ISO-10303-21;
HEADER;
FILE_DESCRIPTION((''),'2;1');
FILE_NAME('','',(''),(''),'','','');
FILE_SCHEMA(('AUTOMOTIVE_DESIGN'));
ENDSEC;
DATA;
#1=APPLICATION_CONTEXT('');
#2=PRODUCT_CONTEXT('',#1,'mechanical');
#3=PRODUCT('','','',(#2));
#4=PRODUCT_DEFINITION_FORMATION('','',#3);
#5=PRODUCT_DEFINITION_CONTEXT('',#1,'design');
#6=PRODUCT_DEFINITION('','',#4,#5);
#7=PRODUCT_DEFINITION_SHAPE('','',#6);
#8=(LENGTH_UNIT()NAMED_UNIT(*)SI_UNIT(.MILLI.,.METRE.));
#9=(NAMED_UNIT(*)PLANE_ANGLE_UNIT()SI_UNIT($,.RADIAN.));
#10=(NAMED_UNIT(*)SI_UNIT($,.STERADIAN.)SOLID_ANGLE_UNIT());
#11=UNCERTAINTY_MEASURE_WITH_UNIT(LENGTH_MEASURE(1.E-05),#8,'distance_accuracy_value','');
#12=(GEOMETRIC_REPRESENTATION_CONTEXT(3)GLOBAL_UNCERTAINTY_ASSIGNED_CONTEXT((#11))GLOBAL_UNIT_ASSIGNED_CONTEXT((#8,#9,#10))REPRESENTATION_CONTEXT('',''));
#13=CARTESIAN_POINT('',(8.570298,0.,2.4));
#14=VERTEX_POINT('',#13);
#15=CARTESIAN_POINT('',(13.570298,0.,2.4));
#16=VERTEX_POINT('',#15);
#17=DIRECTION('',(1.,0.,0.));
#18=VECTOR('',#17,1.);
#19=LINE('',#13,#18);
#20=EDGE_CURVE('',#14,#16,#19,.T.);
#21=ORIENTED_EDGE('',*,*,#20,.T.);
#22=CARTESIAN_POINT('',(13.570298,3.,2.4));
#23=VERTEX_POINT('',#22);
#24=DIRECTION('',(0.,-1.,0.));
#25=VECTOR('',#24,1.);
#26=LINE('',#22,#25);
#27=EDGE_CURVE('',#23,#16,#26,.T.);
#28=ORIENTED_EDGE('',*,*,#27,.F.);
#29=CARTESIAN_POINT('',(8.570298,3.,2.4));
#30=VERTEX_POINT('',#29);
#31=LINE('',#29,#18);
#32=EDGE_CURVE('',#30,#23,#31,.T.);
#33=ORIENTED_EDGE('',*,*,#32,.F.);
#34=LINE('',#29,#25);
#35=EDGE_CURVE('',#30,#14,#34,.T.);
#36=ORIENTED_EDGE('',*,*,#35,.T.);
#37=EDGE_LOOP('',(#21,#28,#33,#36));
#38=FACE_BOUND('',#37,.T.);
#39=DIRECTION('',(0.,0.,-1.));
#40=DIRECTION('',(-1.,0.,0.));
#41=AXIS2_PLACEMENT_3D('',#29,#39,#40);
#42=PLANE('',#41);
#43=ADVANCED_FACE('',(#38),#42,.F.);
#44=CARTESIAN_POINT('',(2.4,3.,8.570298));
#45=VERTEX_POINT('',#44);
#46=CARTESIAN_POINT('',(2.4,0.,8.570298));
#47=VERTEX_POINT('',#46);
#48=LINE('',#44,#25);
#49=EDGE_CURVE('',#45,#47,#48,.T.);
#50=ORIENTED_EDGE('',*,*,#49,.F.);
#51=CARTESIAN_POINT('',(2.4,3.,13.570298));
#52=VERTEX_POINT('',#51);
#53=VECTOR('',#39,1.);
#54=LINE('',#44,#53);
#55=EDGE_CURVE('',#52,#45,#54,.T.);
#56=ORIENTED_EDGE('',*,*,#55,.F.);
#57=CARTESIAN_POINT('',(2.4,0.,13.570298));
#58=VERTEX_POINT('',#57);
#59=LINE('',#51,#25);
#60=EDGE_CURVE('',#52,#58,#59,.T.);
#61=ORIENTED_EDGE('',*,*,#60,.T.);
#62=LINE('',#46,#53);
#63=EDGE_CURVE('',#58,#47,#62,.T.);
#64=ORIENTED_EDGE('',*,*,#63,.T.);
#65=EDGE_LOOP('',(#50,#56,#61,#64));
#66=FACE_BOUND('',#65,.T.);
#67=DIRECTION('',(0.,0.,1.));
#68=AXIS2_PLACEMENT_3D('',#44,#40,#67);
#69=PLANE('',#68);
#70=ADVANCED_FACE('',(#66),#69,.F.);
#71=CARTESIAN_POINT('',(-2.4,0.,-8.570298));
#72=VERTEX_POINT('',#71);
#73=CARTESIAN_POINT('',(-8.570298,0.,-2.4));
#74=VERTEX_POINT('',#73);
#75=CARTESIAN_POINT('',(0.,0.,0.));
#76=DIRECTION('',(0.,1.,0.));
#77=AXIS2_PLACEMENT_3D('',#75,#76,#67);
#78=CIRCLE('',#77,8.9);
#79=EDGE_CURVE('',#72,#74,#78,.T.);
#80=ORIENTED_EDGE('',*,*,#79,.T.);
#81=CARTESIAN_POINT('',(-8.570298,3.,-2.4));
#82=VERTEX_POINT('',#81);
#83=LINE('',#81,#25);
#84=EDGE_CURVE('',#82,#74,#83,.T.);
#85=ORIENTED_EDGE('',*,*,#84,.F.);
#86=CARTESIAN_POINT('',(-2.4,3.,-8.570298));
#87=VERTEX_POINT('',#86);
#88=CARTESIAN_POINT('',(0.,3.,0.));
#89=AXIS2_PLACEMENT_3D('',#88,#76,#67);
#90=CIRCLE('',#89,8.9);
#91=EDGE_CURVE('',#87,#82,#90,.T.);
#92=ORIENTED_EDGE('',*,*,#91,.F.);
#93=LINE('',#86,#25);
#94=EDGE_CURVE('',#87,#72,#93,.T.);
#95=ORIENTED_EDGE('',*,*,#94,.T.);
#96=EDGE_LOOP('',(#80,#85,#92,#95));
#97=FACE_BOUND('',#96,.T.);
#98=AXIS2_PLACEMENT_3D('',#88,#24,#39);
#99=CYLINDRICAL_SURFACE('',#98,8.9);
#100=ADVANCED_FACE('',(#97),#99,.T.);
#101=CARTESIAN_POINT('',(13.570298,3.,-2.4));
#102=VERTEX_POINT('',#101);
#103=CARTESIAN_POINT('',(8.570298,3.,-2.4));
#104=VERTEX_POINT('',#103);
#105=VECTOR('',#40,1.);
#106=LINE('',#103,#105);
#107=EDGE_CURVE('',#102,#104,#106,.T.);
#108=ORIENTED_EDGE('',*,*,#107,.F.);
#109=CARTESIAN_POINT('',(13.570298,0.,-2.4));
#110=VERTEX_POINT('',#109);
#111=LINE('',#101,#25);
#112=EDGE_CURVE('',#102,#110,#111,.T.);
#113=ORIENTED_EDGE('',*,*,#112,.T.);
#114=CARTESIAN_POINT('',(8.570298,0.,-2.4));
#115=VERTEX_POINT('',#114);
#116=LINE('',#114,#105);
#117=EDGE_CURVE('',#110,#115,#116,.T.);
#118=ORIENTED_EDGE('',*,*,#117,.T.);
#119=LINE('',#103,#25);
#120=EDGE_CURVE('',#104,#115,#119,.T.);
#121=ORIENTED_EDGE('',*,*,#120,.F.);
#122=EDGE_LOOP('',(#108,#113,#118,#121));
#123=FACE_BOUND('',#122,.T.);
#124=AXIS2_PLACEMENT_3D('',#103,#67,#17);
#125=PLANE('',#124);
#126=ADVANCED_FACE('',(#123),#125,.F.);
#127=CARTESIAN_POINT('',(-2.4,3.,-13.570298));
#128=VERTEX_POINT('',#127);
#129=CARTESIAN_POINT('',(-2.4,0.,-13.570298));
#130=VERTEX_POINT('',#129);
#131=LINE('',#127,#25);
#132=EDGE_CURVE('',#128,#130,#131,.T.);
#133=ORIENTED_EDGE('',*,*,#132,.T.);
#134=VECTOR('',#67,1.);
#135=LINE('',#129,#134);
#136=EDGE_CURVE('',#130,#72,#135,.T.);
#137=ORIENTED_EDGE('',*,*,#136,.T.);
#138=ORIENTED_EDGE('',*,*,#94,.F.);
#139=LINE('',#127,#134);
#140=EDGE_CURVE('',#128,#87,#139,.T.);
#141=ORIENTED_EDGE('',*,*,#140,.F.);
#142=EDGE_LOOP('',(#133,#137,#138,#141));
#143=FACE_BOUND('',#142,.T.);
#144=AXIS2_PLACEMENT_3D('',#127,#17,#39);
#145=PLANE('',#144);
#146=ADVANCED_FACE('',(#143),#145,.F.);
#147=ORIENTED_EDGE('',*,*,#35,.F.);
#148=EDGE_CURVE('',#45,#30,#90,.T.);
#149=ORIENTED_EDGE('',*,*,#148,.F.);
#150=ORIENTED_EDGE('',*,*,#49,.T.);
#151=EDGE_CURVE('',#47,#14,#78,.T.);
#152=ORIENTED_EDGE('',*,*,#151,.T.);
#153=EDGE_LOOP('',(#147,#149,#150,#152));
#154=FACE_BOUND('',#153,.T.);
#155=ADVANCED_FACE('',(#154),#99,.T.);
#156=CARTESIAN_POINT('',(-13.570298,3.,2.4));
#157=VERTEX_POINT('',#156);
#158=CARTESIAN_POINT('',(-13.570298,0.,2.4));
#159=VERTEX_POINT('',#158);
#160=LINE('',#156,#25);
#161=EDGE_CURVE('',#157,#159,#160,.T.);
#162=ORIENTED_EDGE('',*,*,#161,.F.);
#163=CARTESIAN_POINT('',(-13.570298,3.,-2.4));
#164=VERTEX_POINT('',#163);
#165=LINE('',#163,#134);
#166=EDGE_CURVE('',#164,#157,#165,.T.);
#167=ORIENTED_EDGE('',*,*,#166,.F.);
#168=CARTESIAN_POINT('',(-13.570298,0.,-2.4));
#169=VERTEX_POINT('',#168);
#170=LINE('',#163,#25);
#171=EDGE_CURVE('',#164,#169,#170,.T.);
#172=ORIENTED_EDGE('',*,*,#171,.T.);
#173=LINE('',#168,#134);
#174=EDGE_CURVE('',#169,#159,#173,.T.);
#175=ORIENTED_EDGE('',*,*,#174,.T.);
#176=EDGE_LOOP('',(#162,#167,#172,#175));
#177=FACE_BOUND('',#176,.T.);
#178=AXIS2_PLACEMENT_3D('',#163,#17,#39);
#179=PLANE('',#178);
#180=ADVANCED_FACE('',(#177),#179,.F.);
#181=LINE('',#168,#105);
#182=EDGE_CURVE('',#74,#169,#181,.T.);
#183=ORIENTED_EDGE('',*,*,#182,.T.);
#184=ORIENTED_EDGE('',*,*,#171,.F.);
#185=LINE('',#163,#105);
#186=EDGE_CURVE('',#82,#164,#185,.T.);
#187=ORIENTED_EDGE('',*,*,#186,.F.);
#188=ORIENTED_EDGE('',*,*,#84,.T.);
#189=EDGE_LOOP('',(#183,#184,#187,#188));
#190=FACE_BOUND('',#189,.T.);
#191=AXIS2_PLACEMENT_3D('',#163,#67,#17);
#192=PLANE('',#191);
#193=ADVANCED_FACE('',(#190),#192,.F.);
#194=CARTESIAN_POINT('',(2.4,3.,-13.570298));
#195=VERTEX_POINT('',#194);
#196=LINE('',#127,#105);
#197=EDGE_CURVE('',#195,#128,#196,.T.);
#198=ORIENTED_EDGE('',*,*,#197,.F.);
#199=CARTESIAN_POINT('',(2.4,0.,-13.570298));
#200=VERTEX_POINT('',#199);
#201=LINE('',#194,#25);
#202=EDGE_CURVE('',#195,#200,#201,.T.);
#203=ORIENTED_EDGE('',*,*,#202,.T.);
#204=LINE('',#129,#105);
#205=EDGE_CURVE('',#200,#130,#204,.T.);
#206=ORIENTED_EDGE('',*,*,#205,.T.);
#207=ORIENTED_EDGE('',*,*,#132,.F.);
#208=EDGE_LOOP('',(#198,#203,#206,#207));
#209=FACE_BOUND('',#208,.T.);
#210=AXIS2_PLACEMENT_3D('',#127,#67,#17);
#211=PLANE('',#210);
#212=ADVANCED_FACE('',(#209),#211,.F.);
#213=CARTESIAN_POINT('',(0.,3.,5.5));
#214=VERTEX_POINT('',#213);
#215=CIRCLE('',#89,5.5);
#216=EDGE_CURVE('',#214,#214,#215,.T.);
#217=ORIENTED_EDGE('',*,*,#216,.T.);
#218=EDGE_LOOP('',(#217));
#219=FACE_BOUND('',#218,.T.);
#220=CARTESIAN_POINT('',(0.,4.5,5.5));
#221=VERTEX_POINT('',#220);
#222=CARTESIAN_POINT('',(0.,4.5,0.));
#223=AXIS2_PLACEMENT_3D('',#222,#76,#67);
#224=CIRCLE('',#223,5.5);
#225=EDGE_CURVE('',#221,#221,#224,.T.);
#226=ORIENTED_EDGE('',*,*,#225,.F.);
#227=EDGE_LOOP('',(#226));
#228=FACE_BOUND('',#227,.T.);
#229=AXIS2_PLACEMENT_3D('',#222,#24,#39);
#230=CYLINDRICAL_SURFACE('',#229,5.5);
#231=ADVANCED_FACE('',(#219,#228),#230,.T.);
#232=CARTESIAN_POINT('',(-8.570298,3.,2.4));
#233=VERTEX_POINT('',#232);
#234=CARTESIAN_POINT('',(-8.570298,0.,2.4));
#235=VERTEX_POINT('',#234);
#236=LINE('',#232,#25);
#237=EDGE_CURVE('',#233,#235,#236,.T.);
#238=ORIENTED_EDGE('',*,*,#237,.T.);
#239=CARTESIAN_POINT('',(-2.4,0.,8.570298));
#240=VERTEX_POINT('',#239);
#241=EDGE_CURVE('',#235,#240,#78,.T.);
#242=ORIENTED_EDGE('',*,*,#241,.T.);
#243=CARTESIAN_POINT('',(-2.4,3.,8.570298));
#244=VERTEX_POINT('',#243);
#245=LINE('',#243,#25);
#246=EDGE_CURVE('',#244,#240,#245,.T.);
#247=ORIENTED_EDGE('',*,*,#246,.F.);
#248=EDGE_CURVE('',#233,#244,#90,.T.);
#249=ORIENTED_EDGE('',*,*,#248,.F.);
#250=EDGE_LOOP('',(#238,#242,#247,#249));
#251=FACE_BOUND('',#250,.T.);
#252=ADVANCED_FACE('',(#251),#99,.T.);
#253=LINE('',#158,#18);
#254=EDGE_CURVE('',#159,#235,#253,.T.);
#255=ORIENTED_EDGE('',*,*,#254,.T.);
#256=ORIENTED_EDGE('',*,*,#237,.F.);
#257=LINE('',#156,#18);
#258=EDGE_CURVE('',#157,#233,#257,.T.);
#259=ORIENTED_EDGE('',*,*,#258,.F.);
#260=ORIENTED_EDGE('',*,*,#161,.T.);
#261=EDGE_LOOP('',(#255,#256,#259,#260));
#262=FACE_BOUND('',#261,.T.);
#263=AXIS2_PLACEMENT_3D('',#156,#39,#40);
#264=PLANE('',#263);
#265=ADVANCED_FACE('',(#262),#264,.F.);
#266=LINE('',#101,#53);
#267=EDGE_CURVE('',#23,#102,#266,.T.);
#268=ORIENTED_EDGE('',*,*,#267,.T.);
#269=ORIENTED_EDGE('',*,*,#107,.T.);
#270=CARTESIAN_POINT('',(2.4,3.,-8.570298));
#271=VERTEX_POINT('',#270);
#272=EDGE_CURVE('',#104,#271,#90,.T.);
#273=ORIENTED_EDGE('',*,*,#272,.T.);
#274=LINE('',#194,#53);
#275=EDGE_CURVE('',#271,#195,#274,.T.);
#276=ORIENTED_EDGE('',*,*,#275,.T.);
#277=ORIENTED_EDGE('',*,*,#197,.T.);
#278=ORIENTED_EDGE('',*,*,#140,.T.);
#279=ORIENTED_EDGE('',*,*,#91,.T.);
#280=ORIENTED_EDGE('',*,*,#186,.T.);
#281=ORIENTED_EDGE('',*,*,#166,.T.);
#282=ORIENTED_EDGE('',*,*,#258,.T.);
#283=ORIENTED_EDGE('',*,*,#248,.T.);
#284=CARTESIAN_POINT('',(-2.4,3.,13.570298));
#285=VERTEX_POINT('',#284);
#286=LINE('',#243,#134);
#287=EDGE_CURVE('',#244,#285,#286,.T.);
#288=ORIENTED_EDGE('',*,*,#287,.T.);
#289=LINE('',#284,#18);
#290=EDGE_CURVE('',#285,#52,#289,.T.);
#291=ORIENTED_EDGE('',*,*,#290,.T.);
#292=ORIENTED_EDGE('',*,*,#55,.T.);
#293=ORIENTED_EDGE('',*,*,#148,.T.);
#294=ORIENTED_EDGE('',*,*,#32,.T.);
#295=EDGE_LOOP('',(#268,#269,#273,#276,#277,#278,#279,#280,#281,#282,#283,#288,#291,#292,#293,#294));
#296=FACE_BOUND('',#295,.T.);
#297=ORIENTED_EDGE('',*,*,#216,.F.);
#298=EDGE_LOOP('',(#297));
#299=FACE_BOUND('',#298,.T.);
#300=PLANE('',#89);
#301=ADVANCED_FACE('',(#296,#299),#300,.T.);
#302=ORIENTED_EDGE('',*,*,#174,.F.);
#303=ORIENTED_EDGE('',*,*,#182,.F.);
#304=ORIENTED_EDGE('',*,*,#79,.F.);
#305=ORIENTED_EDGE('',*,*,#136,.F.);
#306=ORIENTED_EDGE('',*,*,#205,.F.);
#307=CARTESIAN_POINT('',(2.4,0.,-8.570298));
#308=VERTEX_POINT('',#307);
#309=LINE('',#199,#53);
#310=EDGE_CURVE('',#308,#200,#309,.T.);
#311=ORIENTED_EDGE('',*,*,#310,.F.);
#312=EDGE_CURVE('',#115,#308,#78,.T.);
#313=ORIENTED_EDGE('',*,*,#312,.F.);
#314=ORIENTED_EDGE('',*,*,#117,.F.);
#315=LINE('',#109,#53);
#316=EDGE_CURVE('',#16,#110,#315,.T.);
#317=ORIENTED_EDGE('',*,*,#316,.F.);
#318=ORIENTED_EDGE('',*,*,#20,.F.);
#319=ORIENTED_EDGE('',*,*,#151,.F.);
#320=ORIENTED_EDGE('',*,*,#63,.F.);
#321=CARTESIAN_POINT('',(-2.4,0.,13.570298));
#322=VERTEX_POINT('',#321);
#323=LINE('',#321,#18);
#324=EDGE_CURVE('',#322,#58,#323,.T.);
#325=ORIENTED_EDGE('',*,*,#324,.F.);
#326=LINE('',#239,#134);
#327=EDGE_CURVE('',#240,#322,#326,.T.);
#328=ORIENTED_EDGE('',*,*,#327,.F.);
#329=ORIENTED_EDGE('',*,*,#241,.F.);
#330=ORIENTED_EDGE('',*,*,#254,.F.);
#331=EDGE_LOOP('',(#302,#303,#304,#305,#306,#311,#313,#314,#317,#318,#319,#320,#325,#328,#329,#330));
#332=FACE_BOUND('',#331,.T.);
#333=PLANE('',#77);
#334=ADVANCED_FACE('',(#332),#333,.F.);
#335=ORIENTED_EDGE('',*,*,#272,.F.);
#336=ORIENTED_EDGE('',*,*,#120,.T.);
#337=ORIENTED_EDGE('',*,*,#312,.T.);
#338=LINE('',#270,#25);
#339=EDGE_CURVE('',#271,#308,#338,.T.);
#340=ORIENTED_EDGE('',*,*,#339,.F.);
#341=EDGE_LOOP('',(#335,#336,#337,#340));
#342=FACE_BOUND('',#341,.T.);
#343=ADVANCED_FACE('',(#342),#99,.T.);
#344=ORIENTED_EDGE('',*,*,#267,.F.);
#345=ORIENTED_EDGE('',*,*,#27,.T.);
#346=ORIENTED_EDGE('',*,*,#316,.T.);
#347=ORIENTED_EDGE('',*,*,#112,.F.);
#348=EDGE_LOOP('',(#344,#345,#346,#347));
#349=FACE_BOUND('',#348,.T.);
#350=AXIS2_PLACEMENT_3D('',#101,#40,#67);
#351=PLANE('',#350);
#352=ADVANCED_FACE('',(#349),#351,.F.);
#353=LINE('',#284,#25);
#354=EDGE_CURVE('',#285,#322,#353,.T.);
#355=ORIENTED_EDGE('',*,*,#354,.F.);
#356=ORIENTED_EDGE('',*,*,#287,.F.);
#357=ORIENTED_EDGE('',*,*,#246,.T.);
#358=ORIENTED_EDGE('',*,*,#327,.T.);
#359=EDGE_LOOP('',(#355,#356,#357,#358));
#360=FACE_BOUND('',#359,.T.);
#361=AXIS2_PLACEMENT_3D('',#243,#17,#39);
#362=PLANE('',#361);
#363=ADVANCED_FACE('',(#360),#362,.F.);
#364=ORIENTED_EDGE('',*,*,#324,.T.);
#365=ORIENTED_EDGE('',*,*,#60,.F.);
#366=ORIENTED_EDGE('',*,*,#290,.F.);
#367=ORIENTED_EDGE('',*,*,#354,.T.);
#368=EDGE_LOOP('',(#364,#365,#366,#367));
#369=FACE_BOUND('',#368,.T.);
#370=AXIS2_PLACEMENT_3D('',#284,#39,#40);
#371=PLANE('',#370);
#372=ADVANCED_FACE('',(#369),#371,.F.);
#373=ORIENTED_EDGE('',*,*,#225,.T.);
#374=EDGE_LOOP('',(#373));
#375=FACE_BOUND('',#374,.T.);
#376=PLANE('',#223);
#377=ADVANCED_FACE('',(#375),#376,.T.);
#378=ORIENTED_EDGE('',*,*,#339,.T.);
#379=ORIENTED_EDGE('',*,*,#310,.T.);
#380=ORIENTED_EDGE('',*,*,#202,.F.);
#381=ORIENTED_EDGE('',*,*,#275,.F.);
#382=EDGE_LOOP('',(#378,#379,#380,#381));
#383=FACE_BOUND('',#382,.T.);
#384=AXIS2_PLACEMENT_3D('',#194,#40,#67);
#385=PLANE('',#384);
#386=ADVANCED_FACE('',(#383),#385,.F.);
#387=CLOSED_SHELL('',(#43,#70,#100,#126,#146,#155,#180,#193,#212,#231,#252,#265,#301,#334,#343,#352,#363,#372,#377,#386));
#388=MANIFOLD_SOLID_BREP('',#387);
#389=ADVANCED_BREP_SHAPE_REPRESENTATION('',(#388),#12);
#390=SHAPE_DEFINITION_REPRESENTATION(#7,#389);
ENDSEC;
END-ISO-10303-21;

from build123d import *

# Parameters (mm, degrees)
EXTRUDE_1_DEPTH = 3
SKETCH_2_R      = 5.5
EXTRUDE_2_DEPTH = 1.5


with BuildPart() as part:
    # 草图1 → 凸台-拉伸1 (new body)
    with BuildSketch(Plane(origin=(0, 0, 0), x_dir=(1, 0, 0), z_dir=(0, 1, 0))):
        with BuildLine():
            Line((-13.570297544, 2.4), (-8.570297544, 2.4))
            ThreePointArc((-8.570297544, 2.4), (-6.293250353, 6.293250353), (-2.4, 8.570297544))
            Line((-2.4, 8.570297544), (-2.4, 13.570297544))
            Line((-2.4, 13.570297544), (2.4, 13.570297544))
            Line((2.4, 13.570297544), (2.4, 8.570297544))
            ThreePointArc((2.4, 8.570297544), (6.293250353, 6.293250353), (8.570297544, 2.4))
            Line((8.570297544, 2.4), (13.570297544, 2.4))
            Line((13.570297544, 2.4), (13.570297544, -2.4))
            Line((13.570297544, -2.4), (8.570297544, -2.4))
            ThreePointArc((8.570297544, -2.4), (6.293250353, -6.293250353), (2.4, -8.570297544))
            Line((2.4, -8.570297544), (2.4, -13.570297544))
            Line((2.4, -13.570297544), (-2.4, -13.570297544))
            Line((-2.4, -13.570297544), (-2.4, -8.570297544))
            ThreePointArc((-2.4, -8.570297544), (-6.293250353, -6.293250353), (-8.570297544, -2.4))
            Line((-8.570297544, -2.4), (-13.570297544, -2.4))
            Line((-13.570297544, -2.4), (-13.570297544, 2.4))
        make_face()
    extrude(amount=EXTRUDE_1_DEPTH)

    # 草图2 → 凸台-拉伸2 (add)
    with BuildSketch(Plane(origin=(0, 3, 0), x_dir=(1, 0, 0), z_dir=(0, 1, 0))):
        Circle(SKETCH_2_R)
    extrude(amount=EXTRUDE_2_DEPTH)


solid = part.part
